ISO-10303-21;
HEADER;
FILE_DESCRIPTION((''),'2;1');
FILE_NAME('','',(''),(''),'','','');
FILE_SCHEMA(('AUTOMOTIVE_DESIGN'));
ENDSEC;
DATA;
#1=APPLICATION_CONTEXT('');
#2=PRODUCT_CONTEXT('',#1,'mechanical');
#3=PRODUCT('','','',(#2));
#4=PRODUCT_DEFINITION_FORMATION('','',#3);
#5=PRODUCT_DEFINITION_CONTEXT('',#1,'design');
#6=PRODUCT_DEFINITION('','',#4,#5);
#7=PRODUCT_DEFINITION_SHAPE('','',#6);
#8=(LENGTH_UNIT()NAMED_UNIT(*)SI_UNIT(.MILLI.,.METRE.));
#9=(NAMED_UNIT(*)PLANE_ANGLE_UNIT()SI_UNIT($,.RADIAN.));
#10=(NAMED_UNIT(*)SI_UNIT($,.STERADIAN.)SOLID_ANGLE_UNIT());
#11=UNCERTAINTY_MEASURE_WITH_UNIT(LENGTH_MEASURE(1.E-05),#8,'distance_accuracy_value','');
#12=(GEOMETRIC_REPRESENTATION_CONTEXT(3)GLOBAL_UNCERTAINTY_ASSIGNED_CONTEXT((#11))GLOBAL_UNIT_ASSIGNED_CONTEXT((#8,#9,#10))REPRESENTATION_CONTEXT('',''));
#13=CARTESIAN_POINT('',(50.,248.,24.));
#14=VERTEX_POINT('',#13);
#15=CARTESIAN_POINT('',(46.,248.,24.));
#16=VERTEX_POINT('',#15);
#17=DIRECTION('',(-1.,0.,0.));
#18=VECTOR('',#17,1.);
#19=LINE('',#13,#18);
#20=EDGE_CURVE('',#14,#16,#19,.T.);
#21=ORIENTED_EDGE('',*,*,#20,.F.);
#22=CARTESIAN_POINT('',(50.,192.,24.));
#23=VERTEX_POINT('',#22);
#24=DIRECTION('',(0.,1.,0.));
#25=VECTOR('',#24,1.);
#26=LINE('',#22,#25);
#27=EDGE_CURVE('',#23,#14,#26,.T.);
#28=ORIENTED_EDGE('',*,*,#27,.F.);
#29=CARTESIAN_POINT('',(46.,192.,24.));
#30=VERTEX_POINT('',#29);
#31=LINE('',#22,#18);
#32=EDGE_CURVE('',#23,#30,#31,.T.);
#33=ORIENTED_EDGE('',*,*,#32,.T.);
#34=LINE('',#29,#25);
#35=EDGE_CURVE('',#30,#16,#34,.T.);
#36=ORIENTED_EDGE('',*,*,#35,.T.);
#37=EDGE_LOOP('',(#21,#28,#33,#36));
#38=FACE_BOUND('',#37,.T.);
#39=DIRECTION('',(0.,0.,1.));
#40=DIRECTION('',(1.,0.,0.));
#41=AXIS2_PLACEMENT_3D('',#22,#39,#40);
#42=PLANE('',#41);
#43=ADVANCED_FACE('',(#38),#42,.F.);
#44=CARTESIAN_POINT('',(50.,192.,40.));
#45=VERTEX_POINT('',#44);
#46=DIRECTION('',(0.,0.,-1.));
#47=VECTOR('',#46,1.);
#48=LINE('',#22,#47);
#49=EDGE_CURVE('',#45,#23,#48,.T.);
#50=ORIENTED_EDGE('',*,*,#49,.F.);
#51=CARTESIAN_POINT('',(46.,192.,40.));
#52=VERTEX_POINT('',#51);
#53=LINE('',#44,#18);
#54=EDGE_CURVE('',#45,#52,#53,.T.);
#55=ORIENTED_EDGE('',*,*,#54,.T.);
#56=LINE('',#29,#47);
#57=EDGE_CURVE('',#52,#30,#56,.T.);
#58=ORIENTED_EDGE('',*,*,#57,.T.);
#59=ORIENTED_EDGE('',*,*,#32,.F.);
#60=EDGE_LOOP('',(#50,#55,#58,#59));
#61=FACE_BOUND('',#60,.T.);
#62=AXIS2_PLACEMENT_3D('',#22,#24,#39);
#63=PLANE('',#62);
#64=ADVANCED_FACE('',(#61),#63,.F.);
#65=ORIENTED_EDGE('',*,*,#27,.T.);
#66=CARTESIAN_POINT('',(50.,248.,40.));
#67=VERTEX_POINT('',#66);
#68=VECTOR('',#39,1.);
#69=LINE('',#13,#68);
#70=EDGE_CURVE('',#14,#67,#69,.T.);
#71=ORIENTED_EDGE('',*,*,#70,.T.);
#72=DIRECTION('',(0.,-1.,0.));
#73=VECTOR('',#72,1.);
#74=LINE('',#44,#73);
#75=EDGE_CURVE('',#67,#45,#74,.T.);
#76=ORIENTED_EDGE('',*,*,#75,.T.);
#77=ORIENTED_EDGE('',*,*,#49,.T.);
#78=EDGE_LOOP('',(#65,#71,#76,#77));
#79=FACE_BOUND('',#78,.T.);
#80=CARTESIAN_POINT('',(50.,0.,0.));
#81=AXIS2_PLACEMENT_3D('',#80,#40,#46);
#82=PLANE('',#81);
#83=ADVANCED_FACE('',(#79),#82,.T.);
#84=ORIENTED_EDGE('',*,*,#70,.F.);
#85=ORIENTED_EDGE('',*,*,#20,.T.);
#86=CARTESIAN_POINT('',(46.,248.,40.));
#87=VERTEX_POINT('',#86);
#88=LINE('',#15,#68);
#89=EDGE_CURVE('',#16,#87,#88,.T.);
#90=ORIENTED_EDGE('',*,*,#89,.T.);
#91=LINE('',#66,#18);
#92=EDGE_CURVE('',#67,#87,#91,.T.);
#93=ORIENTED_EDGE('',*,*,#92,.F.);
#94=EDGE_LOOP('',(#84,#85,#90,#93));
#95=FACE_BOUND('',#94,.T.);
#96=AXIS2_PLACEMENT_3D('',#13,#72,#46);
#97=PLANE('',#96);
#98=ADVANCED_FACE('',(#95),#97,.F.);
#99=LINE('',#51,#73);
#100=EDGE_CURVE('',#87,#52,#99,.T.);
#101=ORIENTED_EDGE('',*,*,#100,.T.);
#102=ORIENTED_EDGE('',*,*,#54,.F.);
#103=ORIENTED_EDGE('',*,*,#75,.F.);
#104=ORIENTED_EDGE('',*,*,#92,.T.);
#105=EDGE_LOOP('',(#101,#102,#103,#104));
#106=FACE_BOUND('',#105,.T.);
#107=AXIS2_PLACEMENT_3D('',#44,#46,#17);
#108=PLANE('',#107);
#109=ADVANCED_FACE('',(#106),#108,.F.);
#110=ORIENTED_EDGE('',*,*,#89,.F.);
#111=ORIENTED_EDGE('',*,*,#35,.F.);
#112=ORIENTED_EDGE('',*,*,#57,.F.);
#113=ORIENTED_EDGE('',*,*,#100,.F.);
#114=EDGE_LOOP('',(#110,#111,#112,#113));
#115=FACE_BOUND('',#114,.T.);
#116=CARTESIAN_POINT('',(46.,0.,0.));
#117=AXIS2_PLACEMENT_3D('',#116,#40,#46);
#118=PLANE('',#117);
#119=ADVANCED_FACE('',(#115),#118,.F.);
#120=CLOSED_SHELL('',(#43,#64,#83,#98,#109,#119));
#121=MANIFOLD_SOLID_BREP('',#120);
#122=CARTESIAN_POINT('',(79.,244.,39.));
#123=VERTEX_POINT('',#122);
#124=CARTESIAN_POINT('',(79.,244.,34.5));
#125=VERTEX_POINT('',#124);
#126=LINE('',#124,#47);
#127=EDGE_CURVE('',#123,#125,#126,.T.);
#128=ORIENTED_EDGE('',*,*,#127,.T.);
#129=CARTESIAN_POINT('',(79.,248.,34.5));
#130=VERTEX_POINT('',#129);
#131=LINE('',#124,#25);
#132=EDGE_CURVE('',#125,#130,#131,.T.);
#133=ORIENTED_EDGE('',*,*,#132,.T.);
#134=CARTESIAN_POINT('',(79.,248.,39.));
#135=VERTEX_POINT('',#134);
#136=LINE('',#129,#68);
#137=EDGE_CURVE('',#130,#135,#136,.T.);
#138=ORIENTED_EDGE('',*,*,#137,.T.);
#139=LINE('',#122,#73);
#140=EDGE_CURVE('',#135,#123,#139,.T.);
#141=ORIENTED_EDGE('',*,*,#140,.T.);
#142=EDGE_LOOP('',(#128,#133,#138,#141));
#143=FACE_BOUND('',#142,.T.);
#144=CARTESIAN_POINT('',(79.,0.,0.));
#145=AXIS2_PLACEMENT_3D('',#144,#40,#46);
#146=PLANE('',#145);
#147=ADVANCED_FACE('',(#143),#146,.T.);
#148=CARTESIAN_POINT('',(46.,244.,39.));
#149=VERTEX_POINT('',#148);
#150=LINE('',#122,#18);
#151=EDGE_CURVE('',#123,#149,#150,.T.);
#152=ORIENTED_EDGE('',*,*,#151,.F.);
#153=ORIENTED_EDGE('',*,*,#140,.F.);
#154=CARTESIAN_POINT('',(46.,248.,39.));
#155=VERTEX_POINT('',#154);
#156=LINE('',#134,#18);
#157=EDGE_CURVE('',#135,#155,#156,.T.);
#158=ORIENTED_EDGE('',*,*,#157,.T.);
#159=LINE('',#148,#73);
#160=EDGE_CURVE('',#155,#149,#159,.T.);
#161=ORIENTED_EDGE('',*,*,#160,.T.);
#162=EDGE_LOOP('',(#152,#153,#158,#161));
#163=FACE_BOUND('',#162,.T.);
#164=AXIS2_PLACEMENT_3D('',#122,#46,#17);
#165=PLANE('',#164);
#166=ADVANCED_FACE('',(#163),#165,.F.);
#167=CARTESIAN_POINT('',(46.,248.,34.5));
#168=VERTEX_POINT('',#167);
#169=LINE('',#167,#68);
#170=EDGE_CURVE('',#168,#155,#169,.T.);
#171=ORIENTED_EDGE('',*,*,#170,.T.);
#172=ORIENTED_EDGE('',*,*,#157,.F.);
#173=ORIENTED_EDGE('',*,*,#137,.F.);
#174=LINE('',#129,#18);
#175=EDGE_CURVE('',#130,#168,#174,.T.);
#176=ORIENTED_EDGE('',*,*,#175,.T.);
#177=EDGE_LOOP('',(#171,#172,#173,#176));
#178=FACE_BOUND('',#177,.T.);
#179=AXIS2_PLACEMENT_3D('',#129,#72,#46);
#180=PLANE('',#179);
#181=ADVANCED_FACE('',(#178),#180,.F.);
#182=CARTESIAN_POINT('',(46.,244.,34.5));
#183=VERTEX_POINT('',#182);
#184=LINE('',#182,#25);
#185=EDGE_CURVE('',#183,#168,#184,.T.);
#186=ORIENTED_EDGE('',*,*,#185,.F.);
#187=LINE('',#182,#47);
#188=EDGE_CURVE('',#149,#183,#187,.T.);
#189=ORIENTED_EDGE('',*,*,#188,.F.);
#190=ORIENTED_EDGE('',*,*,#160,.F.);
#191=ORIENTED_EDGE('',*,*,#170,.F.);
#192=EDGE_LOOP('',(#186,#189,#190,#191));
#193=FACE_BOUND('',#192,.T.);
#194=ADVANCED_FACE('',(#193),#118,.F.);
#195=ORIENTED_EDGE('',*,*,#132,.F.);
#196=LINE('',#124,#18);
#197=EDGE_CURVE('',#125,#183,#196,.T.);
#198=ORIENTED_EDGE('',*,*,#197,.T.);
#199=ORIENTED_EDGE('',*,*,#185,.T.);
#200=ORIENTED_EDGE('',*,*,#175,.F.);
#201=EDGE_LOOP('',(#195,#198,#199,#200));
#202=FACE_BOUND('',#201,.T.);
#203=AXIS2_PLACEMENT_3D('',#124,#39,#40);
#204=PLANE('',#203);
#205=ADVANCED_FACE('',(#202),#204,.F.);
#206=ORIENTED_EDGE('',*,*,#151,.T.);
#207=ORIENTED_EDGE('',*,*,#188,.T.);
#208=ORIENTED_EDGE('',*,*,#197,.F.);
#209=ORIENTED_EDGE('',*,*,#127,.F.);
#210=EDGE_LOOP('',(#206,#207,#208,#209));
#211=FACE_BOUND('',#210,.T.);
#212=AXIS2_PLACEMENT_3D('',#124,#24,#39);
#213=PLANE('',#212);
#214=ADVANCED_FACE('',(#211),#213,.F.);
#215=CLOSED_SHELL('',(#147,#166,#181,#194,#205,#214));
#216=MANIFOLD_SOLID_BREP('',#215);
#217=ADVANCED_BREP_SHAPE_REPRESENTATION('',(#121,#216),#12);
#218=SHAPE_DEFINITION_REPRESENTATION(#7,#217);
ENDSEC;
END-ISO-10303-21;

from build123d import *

# Parameters (mm, degrees)
COLUMN_START       = 46
SKETCH1_W          = 16
SKETCH1_H          = 56
COLUMN_DEPTH       = 4
ANCHOR_PLATE_START = 46
SKETCH2_W          = 4.5
SKETCH2_H          = 4
ANCHOR_PLATE_DEPTH = 33


with BuildPart() as part:
    # Sketch1 → column (new body)
    with BuildSketch(Plane(origin=(0, 0, 0), x_dir=(0, 0, -1), z_dir=(1, 0, 0)).offset(COLUMN_START)):
        with Locations((-32, 220)):
            Rectangle(SKETCH1_W, SKETCH1_H)
    extrude(amount=COLUMN_DEPTH)


with BuildPart() as body_2:
    # Sketch2 → anchor_plate (new body)
    with BuildSketch(Plane(origin=(0, 0, 0), x_dir=(0, 0, -1), z_dir=(1, 0, 0)).offset(ANCHOR_PLATE_START)):
        with Locations((-36.75, 246)):
            Rectangle(SKETCH2_W, SKETCH2_H)
    extrude(amount=ANCHOR_PLATE_DEPTH)


solid = Compound([part.part, body_2.part])
